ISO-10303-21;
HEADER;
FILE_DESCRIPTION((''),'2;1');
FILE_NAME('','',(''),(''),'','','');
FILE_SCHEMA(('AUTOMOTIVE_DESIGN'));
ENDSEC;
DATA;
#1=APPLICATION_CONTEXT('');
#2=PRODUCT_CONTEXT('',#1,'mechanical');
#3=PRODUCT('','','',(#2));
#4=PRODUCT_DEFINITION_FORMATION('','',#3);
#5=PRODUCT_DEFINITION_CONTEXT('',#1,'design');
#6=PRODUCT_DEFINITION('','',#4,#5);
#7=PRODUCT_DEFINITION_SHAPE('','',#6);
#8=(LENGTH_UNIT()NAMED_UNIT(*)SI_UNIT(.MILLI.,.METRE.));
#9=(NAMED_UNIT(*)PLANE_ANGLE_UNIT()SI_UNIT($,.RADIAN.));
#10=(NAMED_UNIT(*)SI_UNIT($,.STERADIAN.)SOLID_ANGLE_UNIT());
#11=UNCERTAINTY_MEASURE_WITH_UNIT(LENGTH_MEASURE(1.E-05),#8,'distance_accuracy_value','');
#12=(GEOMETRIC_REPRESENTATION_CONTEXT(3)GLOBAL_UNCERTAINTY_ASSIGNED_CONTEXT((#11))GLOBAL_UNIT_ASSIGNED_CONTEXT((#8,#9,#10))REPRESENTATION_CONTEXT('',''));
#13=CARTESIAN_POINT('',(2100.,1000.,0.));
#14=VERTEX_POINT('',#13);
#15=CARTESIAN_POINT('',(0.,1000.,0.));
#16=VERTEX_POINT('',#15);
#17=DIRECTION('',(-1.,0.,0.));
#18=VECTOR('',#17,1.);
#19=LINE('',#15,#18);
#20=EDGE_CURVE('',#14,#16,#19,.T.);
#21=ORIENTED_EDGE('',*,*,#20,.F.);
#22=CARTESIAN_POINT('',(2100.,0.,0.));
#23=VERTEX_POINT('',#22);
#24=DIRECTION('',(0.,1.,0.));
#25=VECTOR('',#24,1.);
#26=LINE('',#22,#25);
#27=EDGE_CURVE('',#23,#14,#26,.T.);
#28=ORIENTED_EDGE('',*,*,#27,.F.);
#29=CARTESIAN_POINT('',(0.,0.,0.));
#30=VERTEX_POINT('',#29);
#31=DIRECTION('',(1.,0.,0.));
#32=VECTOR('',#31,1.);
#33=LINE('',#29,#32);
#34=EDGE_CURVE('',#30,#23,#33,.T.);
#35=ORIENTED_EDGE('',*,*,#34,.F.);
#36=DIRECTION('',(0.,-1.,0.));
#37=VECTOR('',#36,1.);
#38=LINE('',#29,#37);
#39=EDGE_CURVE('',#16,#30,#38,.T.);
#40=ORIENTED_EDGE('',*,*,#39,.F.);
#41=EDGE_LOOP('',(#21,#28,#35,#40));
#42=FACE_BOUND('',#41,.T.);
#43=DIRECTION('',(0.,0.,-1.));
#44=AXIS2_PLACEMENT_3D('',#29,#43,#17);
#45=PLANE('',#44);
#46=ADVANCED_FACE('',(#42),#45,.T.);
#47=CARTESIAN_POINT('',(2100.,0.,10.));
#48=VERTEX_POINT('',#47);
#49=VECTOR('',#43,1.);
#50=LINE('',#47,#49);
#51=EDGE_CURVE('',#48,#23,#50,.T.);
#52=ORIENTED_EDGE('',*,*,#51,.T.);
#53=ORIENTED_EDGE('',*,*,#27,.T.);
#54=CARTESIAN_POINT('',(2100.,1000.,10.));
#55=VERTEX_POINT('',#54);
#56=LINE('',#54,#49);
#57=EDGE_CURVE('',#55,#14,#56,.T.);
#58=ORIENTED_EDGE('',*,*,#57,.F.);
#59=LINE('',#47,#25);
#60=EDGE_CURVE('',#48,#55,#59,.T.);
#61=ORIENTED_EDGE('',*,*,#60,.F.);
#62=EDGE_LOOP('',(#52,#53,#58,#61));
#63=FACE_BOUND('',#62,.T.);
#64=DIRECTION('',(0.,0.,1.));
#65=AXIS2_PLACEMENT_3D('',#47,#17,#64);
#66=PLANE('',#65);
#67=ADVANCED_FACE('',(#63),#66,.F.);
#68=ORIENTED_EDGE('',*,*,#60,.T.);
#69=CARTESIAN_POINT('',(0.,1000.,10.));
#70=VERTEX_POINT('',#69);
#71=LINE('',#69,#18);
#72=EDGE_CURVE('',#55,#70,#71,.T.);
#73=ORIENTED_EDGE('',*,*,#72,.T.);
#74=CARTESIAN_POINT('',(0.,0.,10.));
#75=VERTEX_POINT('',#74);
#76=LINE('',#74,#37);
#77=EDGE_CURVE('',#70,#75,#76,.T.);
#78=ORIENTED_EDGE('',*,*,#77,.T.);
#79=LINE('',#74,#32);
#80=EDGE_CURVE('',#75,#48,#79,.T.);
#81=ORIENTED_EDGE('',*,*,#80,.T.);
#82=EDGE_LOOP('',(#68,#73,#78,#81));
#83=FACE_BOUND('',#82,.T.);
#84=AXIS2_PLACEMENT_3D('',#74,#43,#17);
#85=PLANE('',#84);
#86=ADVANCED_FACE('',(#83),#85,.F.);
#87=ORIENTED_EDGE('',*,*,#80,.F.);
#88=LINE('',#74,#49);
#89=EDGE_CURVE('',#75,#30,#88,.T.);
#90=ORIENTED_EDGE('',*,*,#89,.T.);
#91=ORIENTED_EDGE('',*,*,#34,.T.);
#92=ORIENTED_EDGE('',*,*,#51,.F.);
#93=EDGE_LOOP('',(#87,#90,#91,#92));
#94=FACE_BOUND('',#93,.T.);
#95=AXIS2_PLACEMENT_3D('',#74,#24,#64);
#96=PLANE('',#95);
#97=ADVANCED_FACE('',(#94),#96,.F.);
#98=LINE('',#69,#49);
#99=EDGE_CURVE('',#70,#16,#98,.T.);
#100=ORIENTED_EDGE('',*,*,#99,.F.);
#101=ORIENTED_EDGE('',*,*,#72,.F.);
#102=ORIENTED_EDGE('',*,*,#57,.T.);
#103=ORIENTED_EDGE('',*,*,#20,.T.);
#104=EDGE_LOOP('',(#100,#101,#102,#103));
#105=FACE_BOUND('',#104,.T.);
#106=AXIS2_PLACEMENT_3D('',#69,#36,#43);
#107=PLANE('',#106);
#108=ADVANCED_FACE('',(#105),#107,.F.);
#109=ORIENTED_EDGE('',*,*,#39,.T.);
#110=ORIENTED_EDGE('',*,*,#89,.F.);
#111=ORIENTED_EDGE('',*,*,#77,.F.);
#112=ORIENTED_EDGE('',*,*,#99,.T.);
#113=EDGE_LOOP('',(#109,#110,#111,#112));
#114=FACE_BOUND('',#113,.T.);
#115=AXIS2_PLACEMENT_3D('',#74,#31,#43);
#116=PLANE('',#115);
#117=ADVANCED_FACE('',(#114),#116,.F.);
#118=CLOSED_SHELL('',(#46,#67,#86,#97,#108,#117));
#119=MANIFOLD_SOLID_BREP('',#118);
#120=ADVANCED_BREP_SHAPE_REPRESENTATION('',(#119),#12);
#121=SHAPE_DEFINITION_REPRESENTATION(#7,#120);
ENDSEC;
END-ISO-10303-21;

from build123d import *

# Parameters (mm, degrees)
SKETCH_1_W      = 2100
SKETCH_1_H      = 1000
EXTRUDE_1_DEPTH = 10


with BuildPart() as part:
    # Эскиз1 → Бобышка-Вытянуть1 (new body)
    with BuildSketch(Plane.XY):
        with Locations((1050, 500)):
            Rectangle(SKETCH_1_W, SKETCH_1_H)
    extrude(amount=EXTRUDE_1_DEPTH)


solid = part.part
